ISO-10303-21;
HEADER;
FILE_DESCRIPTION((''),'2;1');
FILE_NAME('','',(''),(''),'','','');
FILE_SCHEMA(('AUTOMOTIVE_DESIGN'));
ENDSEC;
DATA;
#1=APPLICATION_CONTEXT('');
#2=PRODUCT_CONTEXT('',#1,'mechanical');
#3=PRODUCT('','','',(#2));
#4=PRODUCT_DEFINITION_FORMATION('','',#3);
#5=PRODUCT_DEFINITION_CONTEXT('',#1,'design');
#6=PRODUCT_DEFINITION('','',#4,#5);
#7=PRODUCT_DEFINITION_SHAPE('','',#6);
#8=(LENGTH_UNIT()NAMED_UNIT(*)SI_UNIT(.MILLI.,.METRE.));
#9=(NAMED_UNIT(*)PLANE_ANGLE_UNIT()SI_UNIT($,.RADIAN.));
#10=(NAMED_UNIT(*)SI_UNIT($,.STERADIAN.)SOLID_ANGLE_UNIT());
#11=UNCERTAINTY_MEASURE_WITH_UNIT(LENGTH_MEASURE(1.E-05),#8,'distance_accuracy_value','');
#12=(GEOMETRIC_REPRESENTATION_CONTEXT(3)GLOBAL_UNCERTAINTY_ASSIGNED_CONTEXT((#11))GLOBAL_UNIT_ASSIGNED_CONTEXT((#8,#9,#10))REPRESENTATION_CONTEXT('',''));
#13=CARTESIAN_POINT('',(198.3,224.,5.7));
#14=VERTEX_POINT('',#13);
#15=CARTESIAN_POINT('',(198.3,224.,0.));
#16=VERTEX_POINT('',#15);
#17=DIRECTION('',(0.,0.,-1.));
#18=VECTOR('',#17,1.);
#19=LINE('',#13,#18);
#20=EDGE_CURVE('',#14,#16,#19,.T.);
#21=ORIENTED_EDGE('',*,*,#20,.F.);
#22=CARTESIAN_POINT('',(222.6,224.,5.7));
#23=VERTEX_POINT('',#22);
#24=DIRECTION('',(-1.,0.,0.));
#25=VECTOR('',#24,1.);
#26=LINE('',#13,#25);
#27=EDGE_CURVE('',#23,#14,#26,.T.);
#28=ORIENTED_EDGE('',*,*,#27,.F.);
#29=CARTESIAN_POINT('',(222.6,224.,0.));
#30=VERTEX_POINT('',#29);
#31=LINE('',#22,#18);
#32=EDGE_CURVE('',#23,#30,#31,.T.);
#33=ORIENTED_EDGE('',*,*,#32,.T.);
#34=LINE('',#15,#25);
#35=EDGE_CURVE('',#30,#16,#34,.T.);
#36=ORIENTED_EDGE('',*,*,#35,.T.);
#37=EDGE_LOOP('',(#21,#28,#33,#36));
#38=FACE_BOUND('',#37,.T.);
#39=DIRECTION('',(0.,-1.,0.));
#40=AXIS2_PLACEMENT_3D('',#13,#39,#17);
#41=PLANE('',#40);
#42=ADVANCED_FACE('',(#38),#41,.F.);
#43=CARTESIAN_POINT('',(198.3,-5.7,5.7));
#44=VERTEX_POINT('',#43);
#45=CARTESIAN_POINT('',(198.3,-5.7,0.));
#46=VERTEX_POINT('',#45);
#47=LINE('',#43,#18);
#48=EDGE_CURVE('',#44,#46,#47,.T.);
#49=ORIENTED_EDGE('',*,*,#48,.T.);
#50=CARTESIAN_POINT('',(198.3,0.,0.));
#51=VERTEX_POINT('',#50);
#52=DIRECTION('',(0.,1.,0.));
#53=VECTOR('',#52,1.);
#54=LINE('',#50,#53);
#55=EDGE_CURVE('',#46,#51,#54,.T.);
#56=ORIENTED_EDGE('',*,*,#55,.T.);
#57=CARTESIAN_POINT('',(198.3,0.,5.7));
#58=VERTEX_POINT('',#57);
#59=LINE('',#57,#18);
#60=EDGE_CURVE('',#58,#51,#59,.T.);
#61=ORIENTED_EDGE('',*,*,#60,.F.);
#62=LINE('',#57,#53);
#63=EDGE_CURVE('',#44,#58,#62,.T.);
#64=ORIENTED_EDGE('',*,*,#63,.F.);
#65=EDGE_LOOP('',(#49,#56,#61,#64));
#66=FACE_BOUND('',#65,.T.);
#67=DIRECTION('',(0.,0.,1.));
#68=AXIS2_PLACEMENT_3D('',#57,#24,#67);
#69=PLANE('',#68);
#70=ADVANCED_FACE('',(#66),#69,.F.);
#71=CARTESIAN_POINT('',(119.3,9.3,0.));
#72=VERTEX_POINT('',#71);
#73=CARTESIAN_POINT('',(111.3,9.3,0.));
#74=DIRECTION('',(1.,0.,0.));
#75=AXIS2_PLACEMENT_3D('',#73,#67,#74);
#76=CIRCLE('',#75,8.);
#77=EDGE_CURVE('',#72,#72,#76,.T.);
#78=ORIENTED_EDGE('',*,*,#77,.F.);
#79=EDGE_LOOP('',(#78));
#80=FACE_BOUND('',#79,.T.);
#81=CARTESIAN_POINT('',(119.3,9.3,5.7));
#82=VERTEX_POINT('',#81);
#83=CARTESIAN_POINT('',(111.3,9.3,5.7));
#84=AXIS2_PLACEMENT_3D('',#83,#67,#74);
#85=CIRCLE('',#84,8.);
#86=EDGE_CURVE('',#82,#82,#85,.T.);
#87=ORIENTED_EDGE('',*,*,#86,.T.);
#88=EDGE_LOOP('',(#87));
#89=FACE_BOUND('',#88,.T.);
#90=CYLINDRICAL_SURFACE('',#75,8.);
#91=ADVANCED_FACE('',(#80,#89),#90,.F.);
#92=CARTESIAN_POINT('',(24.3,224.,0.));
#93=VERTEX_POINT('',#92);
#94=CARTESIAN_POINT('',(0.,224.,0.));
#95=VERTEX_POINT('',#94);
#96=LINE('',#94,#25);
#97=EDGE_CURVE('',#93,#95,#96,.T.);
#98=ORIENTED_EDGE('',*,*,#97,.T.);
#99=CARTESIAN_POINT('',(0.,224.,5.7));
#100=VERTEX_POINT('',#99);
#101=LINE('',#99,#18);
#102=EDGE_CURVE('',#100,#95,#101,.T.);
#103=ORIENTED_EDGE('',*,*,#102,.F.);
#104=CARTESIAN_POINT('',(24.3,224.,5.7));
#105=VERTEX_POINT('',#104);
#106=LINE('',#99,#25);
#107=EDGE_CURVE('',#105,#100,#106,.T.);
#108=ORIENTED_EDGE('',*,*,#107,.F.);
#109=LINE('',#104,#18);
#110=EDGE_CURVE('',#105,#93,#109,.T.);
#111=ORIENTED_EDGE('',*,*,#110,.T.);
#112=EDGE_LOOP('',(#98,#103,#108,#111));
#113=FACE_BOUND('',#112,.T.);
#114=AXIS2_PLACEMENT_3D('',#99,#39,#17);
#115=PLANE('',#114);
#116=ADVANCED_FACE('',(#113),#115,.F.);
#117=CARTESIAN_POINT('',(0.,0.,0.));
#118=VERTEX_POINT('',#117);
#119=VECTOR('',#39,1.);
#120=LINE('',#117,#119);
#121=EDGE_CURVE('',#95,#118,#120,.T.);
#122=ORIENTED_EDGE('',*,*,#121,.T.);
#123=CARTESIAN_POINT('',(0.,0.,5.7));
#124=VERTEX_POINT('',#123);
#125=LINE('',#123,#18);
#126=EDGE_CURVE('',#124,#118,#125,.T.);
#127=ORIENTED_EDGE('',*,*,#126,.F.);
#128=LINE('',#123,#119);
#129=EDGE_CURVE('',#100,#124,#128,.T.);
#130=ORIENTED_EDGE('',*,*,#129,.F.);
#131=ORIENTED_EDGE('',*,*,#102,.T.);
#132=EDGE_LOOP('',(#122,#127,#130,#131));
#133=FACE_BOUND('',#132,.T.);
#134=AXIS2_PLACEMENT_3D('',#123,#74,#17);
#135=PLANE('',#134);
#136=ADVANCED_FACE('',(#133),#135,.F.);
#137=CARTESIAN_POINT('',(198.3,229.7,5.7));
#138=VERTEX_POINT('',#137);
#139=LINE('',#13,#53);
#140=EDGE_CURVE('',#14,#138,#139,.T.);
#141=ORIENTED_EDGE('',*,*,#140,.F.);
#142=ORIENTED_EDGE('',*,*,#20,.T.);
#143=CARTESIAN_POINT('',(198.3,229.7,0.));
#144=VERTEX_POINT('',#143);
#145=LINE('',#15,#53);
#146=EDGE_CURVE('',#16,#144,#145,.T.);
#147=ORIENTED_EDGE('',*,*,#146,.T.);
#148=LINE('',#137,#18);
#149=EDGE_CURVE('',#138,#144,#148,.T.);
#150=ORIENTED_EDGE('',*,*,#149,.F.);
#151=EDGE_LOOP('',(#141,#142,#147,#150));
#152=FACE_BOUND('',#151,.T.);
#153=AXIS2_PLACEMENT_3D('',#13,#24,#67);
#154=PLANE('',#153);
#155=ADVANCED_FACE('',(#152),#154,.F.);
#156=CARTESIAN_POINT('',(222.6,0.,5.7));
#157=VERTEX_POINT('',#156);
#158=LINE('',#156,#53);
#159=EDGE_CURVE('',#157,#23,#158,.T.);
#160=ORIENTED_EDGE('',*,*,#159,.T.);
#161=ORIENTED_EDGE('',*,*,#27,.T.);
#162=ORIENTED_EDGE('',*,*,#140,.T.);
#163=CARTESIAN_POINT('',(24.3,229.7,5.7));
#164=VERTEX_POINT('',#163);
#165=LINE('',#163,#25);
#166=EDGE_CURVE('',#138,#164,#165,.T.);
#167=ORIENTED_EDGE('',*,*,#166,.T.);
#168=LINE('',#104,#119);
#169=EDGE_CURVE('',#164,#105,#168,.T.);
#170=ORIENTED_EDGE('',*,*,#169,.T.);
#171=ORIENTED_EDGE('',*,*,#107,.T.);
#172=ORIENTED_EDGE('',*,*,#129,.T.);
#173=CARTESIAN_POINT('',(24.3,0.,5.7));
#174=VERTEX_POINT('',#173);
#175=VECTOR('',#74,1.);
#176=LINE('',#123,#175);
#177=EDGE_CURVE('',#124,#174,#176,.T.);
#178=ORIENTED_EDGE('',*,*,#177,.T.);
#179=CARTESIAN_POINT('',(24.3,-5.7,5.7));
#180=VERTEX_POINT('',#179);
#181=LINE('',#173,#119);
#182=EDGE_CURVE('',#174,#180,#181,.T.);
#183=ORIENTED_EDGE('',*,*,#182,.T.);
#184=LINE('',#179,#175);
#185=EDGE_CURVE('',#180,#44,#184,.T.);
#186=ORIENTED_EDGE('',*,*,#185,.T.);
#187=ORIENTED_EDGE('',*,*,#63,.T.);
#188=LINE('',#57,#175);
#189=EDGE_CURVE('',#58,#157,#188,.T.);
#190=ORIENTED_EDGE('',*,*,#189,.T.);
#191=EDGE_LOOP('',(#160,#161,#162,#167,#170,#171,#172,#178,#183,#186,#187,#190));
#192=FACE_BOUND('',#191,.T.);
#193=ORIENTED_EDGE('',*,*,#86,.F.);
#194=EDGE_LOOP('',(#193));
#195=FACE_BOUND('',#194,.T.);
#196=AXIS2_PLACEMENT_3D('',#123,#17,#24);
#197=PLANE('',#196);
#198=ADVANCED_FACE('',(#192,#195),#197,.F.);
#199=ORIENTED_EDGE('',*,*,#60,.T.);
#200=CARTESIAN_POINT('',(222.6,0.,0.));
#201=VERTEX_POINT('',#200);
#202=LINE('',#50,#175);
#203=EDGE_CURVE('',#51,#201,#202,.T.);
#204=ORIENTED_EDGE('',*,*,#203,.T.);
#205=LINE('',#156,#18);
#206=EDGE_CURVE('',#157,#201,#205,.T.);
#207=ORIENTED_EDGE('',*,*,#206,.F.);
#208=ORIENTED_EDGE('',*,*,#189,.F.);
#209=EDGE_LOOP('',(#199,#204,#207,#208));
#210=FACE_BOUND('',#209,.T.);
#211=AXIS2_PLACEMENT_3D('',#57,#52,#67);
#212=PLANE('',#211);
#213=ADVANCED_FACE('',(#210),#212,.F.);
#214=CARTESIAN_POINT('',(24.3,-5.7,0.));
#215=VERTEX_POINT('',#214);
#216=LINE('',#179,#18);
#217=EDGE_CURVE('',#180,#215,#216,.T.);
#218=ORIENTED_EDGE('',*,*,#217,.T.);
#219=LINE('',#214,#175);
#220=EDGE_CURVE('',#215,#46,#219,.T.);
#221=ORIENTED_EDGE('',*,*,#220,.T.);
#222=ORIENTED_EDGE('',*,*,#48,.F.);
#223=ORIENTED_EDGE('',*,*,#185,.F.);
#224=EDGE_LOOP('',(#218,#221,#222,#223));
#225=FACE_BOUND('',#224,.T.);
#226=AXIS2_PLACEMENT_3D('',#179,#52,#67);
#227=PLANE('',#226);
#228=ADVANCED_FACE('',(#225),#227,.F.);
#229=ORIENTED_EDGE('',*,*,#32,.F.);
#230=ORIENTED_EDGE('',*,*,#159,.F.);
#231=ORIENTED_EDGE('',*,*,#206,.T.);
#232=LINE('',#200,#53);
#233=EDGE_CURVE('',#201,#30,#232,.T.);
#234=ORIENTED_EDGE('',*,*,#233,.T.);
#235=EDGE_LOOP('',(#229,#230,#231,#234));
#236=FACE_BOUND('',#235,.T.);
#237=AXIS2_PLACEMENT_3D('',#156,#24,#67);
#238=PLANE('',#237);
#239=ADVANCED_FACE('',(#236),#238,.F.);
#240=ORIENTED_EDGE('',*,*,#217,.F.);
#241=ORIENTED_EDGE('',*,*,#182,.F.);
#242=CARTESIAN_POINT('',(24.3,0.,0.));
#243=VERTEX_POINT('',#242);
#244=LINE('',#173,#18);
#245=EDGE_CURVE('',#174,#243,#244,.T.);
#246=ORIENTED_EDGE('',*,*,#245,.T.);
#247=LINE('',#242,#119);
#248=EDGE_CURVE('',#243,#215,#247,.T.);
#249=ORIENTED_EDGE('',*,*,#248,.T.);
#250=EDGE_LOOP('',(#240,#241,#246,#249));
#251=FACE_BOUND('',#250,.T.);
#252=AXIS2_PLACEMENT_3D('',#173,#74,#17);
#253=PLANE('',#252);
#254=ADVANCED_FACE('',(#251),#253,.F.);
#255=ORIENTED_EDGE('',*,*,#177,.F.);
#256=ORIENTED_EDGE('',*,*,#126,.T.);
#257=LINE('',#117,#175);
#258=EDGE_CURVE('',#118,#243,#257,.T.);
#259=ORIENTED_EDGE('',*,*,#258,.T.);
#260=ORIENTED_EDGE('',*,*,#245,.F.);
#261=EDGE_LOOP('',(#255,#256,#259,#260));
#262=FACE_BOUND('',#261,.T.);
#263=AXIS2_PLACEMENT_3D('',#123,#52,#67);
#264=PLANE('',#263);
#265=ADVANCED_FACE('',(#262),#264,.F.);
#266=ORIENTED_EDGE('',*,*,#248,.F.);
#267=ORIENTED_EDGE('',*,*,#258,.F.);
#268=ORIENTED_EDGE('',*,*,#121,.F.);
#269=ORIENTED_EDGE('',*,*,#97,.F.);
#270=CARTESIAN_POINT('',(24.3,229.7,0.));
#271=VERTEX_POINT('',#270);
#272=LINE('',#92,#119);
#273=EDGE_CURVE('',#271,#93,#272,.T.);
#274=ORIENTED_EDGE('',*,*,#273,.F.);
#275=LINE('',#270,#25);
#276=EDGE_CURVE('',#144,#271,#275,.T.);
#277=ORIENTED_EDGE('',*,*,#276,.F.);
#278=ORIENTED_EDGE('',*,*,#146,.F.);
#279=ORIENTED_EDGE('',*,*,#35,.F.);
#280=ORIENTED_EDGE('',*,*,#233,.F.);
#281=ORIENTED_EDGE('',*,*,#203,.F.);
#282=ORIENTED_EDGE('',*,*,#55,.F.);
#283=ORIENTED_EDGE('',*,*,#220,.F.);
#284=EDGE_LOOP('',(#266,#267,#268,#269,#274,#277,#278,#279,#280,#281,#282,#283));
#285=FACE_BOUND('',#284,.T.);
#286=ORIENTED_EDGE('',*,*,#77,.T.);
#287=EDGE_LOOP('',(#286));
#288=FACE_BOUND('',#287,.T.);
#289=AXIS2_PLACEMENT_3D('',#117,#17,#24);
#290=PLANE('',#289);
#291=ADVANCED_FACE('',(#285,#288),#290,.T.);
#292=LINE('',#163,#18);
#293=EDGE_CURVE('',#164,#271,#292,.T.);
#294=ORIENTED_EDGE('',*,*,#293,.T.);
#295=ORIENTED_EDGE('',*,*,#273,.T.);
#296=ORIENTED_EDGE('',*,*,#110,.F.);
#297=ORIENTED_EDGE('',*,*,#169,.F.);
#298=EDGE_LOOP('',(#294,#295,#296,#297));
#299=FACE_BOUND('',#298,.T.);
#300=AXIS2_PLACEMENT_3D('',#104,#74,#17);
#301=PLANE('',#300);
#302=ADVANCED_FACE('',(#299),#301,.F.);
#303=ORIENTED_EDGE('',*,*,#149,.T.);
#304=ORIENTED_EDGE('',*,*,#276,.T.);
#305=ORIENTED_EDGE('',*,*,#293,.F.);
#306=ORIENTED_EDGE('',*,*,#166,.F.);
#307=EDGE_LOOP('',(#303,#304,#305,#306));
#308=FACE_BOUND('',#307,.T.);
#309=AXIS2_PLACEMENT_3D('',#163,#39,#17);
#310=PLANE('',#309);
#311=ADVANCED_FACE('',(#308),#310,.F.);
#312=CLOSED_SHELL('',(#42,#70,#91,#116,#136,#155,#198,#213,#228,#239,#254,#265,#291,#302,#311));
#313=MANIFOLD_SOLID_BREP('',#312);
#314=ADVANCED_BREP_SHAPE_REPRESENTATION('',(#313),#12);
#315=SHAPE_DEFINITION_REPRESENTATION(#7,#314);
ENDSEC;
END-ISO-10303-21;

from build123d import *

# Parameters (mm, degrees)
BOSS_EXTRUDE1_DEPTH = 5.7
SKETCH3_R           = 8
CUT_EXTRUDE1_DEPTH  = 5.7


with BuildPart() as part:
    # Sketch2 → Boss-Extrude1 (new body)
    with BuildSketch(Plane.XY):
        Polygon((198.3, 224), (222.6, 224), (222.6, 0), (198.3, 0), (198.3, -5.7), (24.3, -5.7), (24.3, 0), (0, 0), (0, 224), (24.3, 224), (24.3, 229.7), (198.3, 229.7), align=None)
    extrude(amount=BOSS_EXTRUDE1_DEPTH)

    # Sketch3 → Cut-Extrude1 (cut)
    with BuildSketch(Plane.XY.offset(5.7)):
        with Locations((111.3, 9.3)):
            Circle(SKETCH3_R)
    extrude(amount=-CUT_EXTRUDE1_DEPTH, mode=Mode.SUBTRACT)


solid = part.part
